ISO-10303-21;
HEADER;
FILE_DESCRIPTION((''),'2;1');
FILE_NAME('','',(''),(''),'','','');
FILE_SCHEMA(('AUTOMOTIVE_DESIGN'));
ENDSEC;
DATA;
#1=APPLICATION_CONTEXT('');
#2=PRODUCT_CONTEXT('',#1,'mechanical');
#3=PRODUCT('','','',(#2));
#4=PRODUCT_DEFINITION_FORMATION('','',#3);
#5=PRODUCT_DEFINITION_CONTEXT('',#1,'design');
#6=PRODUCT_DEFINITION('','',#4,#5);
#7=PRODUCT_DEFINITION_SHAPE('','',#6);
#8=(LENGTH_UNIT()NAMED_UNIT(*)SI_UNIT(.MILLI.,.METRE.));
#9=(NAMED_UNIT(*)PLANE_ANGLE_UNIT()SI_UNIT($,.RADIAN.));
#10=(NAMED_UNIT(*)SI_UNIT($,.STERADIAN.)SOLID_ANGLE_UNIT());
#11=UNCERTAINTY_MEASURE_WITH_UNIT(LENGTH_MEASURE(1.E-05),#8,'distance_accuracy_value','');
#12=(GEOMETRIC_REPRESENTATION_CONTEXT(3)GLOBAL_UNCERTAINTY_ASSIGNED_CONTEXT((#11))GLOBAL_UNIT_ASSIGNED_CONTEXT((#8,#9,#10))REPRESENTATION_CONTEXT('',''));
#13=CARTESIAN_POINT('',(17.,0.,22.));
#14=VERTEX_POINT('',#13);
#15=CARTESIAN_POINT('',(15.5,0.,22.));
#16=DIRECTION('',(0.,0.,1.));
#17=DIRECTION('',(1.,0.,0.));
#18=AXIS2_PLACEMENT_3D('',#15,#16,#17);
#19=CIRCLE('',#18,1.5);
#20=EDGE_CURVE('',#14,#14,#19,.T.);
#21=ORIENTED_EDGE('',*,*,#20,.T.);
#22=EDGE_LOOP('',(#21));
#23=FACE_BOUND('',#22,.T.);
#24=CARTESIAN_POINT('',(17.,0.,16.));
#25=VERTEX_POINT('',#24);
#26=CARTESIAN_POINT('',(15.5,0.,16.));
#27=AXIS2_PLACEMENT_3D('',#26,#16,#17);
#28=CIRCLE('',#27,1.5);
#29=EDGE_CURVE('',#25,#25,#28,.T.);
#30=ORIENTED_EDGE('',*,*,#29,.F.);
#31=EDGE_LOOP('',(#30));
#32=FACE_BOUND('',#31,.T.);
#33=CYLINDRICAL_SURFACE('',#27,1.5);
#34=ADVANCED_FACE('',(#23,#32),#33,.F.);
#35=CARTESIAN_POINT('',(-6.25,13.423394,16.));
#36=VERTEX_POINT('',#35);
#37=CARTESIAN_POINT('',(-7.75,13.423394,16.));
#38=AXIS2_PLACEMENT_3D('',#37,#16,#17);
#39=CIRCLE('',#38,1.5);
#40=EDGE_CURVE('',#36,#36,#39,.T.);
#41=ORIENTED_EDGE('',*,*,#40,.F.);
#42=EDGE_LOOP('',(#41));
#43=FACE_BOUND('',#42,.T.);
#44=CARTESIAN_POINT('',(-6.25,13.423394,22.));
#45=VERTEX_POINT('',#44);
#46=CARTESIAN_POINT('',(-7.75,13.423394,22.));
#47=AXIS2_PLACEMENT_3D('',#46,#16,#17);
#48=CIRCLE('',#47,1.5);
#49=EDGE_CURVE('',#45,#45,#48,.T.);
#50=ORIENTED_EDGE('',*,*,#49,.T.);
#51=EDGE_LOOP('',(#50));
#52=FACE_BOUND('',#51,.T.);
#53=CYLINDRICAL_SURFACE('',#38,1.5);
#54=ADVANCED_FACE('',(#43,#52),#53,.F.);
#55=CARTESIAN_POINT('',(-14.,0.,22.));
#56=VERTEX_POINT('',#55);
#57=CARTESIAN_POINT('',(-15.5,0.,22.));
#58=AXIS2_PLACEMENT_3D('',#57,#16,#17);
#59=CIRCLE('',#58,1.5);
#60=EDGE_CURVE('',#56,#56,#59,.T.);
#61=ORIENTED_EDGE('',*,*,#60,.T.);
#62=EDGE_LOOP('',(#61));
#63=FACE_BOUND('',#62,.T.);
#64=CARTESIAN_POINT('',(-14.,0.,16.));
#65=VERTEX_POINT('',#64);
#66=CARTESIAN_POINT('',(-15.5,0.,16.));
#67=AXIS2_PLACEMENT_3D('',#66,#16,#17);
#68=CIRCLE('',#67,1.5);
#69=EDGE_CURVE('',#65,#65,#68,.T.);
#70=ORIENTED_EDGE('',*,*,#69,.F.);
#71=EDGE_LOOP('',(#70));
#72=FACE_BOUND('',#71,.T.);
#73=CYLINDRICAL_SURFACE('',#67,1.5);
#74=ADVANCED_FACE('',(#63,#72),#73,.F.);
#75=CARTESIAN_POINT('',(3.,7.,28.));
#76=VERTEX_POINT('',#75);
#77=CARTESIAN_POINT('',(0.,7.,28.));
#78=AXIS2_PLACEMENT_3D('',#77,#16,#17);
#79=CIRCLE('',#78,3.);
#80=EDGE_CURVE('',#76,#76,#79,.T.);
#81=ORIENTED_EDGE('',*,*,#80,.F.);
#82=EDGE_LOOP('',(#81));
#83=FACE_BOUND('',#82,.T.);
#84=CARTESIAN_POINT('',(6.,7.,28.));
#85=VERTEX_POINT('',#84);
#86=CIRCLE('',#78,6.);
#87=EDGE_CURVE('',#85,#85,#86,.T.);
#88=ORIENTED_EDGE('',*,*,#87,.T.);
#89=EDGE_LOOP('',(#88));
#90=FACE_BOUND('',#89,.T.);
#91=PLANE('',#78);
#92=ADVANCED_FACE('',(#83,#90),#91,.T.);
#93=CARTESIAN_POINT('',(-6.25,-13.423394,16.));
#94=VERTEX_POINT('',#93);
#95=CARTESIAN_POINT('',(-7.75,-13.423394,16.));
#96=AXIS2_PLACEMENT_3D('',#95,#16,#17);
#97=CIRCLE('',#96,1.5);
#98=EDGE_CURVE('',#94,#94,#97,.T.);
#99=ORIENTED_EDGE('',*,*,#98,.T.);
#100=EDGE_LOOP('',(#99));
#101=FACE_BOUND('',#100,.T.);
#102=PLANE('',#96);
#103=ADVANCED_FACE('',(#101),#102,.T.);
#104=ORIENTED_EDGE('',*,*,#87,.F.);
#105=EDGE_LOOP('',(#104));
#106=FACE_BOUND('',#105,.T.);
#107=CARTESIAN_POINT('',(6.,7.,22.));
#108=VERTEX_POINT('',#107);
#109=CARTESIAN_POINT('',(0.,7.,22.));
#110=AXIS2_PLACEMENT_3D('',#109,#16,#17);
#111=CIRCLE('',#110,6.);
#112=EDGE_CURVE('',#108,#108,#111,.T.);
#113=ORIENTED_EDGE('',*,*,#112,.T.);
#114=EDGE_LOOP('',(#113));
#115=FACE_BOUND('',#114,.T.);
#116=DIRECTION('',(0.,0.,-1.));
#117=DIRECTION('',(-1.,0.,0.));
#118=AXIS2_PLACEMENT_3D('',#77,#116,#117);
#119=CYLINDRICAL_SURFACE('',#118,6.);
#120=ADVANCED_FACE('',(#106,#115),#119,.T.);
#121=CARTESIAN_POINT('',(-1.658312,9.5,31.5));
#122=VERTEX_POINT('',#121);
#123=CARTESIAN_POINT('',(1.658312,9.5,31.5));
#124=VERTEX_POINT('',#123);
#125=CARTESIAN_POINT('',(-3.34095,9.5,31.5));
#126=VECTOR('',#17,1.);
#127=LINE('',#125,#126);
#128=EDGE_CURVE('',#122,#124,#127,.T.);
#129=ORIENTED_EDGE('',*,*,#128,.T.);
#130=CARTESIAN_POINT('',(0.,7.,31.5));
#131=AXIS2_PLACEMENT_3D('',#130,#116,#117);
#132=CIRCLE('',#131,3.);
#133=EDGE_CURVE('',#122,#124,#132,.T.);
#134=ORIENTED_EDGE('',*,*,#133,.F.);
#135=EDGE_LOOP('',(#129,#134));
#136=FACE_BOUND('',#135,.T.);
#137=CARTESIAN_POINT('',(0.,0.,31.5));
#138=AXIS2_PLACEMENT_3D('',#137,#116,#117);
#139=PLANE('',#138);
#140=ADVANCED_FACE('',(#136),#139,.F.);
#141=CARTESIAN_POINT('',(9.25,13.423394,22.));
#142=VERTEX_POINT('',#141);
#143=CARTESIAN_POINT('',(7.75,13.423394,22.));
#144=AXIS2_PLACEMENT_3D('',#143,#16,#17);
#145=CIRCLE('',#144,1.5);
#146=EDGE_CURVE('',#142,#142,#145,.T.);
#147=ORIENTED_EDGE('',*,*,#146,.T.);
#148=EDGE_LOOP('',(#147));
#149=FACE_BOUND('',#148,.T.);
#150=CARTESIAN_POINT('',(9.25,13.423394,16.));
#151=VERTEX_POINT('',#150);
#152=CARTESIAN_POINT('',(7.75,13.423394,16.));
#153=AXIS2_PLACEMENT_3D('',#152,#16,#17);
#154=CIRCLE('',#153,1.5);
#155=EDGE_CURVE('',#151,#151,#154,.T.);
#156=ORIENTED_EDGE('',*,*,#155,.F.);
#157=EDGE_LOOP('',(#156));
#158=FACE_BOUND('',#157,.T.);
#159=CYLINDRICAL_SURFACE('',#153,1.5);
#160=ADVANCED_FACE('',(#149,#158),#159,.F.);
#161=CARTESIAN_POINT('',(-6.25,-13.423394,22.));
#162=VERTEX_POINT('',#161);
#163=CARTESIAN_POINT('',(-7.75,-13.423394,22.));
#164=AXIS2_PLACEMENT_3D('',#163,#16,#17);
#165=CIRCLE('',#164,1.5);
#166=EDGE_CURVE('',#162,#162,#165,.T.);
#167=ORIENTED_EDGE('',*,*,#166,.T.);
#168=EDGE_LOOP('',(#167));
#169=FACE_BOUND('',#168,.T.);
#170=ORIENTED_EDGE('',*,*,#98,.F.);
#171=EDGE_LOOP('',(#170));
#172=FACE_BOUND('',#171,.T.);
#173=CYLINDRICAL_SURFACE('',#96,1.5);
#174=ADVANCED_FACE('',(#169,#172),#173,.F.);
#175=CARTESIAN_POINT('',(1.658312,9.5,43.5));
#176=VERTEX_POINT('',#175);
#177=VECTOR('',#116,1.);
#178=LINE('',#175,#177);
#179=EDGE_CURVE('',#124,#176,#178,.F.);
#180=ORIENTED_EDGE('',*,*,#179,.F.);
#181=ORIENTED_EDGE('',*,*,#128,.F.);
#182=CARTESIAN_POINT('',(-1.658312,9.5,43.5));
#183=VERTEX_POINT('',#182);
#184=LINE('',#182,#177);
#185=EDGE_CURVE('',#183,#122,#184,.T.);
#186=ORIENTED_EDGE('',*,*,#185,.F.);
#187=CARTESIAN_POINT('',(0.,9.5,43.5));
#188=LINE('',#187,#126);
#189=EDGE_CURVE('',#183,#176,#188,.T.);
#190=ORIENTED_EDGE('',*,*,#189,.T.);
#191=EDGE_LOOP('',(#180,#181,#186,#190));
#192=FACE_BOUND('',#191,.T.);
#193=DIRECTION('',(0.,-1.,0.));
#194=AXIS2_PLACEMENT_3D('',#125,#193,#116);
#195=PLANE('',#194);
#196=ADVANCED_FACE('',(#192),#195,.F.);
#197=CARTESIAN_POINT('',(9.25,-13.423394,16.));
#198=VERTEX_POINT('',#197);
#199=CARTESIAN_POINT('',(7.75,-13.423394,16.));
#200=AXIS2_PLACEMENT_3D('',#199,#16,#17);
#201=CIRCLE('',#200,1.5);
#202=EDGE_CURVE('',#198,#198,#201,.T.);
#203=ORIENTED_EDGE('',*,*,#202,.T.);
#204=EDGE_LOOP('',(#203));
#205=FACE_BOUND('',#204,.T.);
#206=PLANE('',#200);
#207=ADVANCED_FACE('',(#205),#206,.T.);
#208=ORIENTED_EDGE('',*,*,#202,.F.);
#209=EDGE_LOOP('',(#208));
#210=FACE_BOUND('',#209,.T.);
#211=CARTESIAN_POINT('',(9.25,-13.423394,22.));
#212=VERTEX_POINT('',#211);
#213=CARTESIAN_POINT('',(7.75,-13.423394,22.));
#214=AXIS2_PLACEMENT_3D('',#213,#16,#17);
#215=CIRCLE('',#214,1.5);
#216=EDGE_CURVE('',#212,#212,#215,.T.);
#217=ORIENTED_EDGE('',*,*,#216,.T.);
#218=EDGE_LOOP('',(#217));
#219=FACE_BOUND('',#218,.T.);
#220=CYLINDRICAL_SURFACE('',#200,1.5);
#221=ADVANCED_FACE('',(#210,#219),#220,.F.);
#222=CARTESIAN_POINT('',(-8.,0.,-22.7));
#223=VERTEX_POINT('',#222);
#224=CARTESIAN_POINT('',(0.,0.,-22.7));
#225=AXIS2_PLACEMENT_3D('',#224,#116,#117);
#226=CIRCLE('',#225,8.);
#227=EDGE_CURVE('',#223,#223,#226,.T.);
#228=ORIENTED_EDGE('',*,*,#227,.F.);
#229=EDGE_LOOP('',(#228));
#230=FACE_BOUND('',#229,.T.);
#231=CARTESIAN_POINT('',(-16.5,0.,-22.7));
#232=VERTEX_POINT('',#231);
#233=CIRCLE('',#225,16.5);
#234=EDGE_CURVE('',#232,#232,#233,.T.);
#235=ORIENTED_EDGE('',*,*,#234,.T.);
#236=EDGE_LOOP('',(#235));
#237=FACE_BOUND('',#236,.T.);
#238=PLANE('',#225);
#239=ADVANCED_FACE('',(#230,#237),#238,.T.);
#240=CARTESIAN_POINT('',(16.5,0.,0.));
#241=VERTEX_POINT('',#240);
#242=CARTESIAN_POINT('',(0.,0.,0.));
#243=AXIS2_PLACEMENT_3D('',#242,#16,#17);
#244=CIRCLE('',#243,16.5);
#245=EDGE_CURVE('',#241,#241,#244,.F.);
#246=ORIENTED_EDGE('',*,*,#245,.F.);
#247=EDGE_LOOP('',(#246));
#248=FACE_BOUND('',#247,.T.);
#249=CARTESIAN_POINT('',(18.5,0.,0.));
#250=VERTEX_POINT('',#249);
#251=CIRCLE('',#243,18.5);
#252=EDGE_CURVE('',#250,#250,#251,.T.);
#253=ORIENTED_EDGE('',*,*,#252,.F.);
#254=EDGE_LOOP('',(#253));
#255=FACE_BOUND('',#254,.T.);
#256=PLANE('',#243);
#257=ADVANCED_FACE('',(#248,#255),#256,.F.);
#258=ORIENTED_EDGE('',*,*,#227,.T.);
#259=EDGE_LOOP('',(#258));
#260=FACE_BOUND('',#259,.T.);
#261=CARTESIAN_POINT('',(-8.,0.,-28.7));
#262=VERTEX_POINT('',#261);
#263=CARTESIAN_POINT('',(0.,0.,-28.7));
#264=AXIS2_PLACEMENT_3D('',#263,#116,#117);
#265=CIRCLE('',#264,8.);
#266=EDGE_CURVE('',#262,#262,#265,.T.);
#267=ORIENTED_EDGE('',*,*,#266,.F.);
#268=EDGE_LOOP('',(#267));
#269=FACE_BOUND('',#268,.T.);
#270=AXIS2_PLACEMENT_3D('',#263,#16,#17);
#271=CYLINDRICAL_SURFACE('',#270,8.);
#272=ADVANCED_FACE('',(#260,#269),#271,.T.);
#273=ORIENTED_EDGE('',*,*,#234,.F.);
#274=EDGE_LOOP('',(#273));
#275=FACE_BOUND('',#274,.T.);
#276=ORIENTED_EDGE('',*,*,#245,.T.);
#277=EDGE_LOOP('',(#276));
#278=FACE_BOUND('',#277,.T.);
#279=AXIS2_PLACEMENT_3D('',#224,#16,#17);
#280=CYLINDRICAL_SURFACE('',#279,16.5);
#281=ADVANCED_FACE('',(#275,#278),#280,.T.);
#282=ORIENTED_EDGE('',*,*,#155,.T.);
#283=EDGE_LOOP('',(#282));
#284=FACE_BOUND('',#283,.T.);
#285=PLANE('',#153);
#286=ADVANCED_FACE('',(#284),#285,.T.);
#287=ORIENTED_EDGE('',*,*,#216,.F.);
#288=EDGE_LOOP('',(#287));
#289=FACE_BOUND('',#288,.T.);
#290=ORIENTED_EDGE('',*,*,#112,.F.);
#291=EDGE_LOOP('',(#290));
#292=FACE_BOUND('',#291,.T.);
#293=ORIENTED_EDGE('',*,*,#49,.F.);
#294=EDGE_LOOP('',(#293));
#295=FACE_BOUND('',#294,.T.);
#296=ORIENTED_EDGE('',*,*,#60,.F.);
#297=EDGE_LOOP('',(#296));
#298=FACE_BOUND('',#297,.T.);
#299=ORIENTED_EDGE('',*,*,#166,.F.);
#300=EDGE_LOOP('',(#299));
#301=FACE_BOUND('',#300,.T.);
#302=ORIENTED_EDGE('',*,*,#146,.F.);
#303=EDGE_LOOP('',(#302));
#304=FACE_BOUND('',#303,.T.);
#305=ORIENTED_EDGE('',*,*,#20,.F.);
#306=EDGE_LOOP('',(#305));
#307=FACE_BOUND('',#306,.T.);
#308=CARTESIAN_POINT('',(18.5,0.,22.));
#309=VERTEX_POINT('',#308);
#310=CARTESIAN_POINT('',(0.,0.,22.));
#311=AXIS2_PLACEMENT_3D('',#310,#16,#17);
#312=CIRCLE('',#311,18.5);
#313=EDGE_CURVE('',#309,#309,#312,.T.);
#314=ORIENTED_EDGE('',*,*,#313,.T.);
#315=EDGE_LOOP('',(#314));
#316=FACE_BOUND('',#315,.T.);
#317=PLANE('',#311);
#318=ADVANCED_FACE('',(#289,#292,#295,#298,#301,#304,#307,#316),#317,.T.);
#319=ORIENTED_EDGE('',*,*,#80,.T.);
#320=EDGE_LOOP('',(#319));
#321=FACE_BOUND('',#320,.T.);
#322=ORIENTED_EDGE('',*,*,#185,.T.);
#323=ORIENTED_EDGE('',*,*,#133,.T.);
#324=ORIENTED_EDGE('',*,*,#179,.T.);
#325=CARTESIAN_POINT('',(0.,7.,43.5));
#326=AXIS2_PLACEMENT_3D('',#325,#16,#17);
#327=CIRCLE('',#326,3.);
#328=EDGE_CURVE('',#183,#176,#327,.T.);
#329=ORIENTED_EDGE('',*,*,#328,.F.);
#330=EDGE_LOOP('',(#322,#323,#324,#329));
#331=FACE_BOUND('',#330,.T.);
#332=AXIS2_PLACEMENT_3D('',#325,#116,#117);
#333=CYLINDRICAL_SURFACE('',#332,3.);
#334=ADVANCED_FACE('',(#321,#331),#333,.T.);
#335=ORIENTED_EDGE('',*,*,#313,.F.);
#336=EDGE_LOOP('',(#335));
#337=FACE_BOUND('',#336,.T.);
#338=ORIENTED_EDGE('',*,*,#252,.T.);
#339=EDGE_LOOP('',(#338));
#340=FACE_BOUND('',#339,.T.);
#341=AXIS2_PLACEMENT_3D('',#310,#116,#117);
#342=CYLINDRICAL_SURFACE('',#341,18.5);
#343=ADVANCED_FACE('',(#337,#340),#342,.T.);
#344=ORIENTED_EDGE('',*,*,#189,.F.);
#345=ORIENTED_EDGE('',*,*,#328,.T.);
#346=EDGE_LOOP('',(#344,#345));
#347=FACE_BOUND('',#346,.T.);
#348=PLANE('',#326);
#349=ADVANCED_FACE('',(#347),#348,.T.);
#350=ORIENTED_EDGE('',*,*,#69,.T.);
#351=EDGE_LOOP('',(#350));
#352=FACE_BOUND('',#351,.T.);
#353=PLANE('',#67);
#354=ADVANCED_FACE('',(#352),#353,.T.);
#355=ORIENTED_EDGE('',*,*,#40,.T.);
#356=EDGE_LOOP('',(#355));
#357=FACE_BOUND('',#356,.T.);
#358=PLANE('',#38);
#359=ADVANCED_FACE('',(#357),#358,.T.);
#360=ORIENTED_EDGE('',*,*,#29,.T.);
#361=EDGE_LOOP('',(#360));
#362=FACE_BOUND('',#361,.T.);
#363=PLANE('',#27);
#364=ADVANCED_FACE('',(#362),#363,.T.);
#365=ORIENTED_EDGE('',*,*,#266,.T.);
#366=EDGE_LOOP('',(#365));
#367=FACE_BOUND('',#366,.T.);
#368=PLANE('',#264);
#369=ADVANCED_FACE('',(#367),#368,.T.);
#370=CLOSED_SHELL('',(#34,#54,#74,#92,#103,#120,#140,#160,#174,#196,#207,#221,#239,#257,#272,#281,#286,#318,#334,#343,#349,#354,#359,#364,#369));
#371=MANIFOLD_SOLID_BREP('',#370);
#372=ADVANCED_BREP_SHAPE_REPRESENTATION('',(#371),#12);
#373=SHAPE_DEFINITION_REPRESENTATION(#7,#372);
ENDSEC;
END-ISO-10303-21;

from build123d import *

# Parameters (mm, degrees)
SKETCH_1_R          = 18.5
EXTRUDE_1_DEPTH     = 22
SKETCH_2_R          = 6
EXTRUDE_2_DEPTH     = 6
SKETCH_3_R          = 3
EXTRUDE_3_DEPTH     = 15.5
CUT_EXTRUDE_1_DEPTH = 12
SKETCH_5_R          = 1.5
CUT_EXTRUDE_2_DEPTH = 6
SKETCH_6_R          = 16.5
EXTRUDE_4_DEPTH     = 22.7
SKETCH_7_R          = 8
EXTRUDE_5_DEPTH     = 6


with BuildPart() as part:
    # 草图1 → 凸台-拉伸1 (new body)
    with BuildSketch(Plane.XY):
        Circle(SKETCH_1_R)
    extrude(amount=EXTRUDE_1_DEPTH)

    # 草图2 → 凸台-拉伸2 (add)
    with BuildSketch(Plane.XY.offset(22)):
        with Locations((0, 7)):
            Circle(SKETCH_2_R)
    extrude(amount=EXTRUDE_2_DEPTH)

    # 草图3 → 凸台-拉伸3 (add)
    with BuildSketch(Plane.XY.offset(28)):
        with Locations((0, 7)):
            Circle(SKETCH_3_R)
    extrude(amount=EXTRUDE_3_DEPTH)

    # 草图4 → 切除-拉伸1 (cut)
    with BuildSketch(Plane.XY.offset(43.5)):
        Polygon((-3.340950009, 9.5), (3.684231377, 9.5), (0.516334163, 11.681498446), align=None)
    extrude(amount=-CUT_EXTRUDE_1_DEPTH, mode=Mode.SUBTRACT)

    # 草图5 → 切除-拉伸2 (cut)
    with BuildSketch(Plane.XY.offset(22)):
        with Locations((15.5, 0)):
            Circle(SKETCH_5_R)
        with Locations((7.75, -13.423393759)):
            Circle(SKETCH_5_R)
        with Locations((-7.75, -13.423393759)):
            Circle(SKETCH_5_R)
        with Locations((-15.5, 0)):
            Circle(SKETCH_5_R)
        with Locations((-7.75, 13.423393759)):
            Circle(SKETCH_5_R)
        with Locations((7.75, 13.423393759)):
            Circle(SKETCH_5_R)
    extrude(amount=-CUT_EXTRUDE_2_DEPTH, mode=Mode.SUBTRACT)

    # 草图6 → 凸台-拉伸4 (add)
    with BuildSketch(Plane(origin=(0, 0, 0), x_dir=(-1, 0, 0), z_dir=(0, 0, -1))):
        with Locations(Location((0, 0, 0), (0, 0, 180))):
            Circle(SKETCH_6_R)
    extrude(amount=EXTRUDE_4_DEPTH)

    # 草图7 → 凸台-拉伸5 (add)
    with BuildSketch(Plane(origin=(0, 0, -22.7), x_dir=(-1, 0, 0), z_dir=(0, 0, -1))):
        Circle(SKETCH_7_R)
    extrude(amount=EXTRUDE_5_DEPTH)


solid = part.part
